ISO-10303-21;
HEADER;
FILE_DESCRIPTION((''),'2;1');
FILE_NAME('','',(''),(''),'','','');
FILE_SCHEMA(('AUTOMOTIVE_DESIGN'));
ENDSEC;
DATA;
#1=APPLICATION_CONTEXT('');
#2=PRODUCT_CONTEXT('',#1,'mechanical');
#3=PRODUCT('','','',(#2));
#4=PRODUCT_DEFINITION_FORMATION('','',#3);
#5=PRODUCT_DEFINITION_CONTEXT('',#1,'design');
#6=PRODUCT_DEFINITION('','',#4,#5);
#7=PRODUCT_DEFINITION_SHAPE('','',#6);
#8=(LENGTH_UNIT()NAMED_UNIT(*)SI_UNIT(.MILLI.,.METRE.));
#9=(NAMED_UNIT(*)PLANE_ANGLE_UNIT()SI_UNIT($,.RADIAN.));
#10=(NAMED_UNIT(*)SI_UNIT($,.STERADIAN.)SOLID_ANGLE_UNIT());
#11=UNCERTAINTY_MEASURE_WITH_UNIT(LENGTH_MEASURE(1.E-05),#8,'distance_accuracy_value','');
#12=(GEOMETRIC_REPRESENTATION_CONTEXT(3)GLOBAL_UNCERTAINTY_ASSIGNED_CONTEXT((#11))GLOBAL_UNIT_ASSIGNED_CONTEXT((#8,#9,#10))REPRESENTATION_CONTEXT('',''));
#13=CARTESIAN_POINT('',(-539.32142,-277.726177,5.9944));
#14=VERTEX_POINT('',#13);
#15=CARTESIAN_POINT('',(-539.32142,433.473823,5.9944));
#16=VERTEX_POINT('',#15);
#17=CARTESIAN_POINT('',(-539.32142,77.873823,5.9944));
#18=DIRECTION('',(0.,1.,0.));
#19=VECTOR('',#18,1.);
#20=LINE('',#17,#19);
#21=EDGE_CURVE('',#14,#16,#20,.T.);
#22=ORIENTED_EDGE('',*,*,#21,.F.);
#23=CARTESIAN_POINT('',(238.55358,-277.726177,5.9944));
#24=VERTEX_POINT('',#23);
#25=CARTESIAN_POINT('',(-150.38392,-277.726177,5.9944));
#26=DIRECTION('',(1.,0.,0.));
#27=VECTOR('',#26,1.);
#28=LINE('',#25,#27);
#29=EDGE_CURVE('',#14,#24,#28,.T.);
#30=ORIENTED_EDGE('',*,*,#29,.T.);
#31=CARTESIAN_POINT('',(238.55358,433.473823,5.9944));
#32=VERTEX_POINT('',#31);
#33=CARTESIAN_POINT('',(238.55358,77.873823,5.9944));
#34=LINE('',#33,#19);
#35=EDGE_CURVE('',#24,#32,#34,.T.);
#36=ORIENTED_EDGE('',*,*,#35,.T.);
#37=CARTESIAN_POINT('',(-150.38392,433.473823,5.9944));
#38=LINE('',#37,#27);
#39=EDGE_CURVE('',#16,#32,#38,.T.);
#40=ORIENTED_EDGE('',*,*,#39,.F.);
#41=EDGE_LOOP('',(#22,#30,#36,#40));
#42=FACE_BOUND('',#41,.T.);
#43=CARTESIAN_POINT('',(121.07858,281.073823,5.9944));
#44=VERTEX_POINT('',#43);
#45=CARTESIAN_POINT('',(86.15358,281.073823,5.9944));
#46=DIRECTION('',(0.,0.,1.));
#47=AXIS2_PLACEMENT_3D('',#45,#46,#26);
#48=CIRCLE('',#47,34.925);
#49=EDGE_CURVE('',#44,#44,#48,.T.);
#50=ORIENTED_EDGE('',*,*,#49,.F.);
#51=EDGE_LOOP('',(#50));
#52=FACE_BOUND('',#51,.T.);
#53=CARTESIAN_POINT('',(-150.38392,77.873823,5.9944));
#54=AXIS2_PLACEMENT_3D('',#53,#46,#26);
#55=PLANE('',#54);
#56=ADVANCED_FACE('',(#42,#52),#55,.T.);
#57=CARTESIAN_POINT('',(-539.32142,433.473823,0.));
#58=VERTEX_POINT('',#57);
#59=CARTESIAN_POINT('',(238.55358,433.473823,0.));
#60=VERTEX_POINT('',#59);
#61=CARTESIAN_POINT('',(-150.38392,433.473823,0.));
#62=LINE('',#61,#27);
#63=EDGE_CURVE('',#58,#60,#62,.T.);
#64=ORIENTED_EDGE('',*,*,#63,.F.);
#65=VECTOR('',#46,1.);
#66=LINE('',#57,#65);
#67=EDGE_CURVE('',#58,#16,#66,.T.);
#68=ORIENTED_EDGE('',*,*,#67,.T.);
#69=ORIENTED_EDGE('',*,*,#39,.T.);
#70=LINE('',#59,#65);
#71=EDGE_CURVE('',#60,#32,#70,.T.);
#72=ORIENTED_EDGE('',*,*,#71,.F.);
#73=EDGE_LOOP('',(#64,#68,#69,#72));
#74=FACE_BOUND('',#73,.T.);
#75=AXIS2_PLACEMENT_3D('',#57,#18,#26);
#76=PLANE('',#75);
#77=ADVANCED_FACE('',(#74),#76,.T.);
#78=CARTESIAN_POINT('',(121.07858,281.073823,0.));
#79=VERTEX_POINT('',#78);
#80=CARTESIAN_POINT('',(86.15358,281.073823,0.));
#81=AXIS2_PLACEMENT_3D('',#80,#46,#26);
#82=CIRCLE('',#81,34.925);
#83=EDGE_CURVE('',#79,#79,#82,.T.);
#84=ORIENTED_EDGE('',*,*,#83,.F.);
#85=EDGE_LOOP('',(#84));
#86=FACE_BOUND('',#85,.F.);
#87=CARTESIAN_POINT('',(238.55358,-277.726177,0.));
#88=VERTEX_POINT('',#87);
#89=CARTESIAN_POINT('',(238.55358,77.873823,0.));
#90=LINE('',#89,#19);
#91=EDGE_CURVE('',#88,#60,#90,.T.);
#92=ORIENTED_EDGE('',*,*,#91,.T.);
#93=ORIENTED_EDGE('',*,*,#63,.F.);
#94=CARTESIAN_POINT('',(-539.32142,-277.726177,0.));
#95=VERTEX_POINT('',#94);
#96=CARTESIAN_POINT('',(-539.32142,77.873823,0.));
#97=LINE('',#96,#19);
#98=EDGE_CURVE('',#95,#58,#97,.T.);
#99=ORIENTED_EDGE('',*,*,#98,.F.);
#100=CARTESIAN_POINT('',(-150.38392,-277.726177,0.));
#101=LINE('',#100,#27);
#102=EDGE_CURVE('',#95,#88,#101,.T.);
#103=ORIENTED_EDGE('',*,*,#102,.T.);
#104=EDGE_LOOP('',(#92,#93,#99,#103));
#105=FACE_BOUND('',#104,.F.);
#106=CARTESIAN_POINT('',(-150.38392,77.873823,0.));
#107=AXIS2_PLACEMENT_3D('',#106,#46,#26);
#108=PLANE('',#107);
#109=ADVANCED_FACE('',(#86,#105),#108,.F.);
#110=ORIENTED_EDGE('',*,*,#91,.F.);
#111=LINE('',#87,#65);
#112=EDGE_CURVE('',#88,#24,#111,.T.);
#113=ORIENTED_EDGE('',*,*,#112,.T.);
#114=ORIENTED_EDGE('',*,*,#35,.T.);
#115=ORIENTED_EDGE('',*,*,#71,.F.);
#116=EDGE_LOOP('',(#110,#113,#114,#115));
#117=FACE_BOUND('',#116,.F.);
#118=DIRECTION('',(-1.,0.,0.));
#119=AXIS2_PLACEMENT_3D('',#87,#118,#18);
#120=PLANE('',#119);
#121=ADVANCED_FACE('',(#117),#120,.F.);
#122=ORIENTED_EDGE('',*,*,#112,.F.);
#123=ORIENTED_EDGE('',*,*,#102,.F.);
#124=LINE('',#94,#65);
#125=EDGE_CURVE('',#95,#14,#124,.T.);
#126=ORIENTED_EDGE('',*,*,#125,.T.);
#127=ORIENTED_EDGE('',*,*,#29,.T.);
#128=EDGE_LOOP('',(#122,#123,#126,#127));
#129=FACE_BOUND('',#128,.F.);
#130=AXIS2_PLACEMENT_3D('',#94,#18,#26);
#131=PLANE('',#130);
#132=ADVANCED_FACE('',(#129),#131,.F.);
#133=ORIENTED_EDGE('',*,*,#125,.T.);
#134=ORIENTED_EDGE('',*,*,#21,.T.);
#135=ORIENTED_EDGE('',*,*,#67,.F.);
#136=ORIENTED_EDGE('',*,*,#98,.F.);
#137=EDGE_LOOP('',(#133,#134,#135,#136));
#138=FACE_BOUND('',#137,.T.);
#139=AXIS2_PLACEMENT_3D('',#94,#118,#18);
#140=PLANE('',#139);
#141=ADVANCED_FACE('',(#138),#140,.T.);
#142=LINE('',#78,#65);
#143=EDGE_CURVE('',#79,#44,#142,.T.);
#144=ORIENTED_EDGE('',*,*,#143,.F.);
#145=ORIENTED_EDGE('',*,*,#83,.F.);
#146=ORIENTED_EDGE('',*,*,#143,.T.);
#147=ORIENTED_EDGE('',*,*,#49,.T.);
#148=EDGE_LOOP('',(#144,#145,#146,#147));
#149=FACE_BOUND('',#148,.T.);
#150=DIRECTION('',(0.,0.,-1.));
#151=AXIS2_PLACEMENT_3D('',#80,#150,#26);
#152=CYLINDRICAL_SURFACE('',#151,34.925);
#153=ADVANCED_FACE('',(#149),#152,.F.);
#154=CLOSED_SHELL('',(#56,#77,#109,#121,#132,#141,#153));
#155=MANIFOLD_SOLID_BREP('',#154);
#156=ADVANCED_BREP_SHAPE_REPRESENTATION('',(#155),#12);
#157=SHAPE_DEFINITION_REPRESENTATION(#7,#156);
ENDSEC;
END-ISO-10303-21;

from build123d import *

# Parameters (mm, degrees)
SKETCH_W      = 777.875
SKETCH_H      = 711.2
SKETCH_R      = 34.925
EXTRUDE_DEPTH = 5.9944


with BuildPart() as part:
    # Sketch → Extrude (new body)
    with BuildSketch(Plane.XY):
        with Locations((-150.38392, 77.873823)):
            Rectangle(SKETCH_W, SKETCH_H)
        with Locations((86.15358, 281.073823)):
            Circle(SKETCH_R, mode=Mode.SUBTRACT)
    extrude(amount=EXTRUDE_DEPTH)


solid = part.part
